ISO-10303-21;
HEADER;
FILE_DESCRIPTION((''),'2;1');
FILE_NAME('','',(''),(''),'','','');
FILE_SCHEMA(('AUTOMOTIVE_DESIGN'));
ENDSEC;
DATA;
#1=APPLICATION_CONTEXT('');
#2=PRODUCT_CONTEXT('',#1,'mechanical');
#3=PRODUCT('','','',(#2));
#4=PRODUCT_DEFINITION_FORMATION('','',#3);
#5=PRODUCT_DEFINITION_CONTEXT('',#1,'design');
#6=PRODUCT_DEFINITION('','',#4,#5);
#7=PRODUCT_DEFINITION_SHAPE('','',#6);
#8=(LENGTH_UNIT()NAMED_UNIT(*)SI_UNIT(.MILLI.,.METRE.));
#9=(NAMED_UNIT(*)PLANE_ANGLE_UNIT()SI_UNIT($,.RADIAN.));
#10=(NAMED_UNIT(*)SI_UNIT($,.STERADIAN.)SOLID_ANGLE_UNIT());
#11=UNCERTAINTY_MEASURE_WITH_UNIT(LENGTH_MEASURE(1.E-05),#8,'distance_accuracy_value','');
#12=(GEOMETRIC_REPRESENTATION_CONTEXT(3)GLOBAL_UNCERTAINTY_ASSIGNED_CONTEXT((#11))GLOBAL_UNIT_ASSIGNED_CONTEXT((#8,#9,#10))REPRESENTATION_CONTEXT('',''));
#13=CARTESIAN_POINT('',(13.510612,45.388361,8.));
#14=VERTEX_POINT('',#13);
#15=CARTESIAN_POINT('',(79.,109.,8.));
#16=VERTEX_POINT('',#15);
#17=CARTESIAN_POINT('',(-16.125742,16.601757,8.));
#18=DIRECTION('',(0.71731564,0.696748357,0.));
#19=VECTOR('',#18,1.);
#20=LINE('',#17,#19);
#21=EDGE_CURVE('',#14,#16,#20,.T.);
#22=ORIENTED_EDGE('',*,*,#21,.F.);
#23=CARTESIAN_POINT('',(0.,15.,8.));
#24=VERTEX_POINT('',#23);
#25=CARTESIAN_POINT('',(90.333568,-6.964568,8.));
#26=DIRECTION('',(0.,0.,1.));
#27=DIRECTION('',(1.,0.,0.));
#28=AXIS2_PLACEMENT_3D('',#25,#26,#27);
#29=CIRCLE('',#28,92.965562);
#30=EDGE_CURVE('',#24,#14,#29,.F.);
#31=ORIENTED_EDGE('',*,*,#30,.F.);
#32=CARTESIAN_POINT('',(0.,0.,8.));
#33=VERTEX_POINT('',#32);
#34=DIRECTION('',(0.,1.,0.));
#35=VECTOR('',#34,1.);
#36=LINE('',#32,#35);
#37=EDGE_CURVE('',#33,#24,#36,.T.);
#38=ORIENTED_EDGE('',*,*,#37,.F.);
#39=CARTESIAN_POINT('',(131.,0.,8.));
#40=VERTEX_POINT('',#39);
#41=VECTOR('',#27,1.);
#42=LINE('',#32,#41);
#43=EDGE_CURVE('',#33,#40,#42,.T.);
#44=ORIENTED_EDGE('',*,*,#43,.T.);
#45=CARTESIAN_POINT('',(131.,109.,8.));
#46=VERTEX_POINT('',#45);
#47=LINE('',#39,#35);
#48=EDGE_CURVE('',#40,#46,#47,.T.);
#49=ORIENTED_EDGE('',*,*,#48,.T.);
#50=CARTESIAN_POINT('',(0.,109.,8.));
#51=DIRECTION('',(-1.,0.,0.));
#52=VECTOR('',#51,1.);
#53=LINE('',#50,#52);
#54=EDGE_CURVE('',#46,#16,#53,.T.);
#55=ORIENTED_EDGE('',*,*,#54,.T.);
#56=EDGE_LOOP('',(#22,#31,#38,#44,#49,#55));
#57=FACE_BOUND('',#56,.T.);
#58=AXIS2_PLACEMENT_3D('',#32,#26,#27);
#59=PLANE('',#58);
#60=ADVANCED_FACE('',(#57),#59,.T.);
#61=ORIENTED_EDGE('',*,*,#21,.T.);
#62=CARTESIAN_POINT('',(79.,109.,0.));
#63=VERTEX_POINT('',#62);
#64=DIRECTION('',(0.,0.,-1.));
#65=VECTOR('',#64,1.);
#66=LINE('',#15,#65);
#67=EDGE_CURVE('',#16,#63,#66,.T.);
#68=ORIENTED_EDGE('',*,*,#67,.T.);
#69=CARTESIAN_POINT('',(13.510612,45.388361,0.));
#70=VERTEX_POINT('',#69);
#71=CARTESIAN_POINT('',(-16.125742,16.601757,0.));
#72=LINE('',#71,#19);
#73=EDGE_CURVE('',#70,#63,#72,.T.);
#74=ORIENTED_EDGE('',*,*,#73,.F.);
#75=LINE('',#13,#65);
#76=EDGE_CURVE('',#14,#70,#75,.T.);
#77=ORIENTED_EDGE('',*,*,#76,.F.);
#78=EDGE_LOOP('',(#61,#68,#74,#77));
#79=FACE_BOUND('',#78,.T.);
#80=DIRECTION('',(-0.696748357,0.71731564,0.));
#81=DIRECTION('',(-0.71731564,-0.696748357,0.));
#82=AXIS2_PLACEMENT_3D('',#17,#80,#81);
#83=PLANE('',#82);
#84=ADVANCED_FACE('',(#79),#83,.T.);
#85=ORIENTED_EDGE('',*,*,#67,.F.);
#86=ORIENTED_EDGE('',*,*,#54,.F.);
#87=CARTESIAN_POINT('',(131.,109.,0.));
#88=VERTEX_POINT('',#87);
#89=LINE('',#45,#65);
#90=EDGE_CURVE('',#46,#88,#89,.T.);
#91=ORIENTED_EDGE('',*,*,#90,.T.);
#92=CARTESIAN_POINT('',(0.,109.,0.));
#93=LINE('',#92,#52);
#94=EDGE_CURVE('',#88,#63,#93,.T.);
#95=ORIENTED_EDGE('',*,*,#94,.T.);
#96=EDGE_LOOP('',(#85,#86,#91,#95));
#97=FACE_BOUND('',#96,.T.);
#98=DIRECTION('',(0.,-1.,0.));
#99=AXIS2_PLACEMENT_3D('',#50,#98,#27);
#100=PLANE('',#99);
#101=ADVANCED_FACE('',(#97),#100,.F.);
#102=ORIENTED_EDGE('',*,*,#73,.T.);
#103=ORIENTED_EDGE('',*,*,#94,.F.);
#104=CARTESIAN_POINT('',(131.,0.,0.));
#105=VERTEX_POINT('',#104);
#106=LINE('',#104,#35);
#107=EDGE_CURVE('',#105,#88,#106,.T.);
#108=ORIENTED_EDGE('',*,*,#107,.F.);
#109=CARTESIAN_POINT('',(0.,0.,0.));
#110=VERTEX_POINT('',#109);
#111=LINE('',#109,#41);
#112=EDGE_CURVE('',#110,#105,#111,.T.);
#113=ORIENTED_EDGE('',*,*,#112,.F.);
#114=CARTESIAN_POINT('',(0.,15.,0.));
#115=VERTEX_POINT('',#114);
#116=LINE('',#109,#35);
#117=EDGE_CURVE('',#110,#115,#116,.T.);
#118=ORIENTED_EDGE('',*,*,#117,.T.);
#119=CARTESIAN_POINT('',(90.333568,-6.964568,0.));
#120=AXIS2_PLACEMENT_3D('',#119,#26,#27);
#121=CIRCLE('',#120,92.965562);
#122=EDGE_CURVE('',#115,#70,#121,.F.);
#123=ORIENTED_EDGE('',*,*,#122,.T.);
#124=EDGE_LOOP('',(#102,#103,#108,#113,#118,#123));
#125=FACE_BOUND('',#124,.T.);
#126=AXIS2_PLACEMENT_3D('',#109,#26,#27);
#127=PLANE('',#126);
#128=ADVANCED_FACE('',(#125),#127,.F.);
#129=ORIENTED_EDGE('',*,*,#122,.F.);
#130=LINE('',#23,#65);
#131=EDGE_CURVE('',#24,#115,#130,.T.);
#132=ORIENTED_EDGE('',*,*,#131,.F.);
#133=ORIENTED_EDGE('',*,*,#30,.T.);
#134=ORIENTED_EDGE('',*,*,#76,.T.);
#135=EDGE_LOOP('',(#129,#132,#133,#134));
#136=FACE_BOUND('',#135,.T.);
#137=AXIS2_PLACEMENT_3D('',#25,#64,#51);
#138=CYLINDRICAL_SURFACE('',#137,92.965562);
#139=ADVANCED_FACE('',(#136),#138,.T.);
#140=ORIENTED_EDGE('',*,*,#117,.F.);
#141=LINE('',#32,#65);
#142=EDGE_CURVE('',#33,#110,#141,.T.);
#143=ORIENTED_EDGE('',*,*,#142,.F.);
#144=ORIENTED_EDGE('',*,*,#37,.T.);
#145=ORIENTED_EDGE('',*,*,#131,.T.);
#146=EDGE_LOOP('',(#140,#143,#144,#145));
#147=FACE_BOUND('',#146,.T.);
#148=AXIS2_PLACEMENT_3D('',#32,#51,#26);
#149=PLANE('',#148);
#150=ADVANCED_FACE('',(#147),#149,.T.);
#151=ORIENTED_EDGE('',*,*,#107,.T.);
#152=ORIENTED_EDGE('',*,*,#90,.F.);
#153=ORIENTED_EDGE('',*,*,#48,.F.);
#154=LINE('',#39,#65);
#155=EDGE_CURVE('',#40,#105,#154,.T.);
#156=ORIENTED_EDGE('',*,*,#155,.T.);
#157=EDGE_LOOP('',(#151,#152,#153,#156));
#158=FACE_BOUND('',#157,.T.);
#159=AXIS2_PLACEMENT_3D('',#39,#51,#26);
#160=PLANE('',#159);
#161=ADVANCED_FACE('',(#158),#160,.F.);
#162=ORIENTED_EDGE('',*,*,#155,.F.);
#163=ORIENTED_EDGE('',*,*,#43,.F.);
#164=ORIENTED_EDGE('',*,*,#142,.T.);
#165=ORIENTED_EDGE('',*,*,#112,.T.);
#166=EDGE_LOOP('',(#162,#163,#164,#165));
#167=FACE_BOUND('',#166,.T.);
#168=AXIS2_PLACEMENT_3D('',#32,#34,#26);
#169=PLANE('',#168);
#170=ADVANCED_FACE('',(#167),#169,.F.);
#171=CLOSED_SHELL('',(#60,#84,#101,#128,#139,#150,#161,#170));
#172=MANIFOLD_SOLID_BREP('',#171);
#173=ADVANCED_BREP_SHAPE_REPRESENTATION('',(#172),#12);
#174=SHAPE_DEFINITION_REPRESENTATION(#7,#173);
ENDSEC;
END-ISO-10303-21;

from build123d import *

# Parameters (mm, degrees)
Y_KSEKLIK_EKSTR_ZYON1_DEPTH = 8


with BuildPart() as part:
    # Çizim1 → Yükseklik-Ekstrüzyon1 (new body)
    with BuildSketch(Plane.XY):
        with BuildLine():
            Line((0, 15), (0, 0))
            Line((0, 0), (131, 0))
            Line((131, 0), (131, 109))
            Line((131, 109), (79, 109))
            Line((79, 109), (13.510611656, 45.388360721))
            ThreePointArc((13.510611656, 45.388360721), (5.385413078, 30.803232265), (0, 15))
        make_face()
    extrude(amount=Y_KSEKLIK_EKSTR_ZYON1_DEPTH)


solid = part.part
